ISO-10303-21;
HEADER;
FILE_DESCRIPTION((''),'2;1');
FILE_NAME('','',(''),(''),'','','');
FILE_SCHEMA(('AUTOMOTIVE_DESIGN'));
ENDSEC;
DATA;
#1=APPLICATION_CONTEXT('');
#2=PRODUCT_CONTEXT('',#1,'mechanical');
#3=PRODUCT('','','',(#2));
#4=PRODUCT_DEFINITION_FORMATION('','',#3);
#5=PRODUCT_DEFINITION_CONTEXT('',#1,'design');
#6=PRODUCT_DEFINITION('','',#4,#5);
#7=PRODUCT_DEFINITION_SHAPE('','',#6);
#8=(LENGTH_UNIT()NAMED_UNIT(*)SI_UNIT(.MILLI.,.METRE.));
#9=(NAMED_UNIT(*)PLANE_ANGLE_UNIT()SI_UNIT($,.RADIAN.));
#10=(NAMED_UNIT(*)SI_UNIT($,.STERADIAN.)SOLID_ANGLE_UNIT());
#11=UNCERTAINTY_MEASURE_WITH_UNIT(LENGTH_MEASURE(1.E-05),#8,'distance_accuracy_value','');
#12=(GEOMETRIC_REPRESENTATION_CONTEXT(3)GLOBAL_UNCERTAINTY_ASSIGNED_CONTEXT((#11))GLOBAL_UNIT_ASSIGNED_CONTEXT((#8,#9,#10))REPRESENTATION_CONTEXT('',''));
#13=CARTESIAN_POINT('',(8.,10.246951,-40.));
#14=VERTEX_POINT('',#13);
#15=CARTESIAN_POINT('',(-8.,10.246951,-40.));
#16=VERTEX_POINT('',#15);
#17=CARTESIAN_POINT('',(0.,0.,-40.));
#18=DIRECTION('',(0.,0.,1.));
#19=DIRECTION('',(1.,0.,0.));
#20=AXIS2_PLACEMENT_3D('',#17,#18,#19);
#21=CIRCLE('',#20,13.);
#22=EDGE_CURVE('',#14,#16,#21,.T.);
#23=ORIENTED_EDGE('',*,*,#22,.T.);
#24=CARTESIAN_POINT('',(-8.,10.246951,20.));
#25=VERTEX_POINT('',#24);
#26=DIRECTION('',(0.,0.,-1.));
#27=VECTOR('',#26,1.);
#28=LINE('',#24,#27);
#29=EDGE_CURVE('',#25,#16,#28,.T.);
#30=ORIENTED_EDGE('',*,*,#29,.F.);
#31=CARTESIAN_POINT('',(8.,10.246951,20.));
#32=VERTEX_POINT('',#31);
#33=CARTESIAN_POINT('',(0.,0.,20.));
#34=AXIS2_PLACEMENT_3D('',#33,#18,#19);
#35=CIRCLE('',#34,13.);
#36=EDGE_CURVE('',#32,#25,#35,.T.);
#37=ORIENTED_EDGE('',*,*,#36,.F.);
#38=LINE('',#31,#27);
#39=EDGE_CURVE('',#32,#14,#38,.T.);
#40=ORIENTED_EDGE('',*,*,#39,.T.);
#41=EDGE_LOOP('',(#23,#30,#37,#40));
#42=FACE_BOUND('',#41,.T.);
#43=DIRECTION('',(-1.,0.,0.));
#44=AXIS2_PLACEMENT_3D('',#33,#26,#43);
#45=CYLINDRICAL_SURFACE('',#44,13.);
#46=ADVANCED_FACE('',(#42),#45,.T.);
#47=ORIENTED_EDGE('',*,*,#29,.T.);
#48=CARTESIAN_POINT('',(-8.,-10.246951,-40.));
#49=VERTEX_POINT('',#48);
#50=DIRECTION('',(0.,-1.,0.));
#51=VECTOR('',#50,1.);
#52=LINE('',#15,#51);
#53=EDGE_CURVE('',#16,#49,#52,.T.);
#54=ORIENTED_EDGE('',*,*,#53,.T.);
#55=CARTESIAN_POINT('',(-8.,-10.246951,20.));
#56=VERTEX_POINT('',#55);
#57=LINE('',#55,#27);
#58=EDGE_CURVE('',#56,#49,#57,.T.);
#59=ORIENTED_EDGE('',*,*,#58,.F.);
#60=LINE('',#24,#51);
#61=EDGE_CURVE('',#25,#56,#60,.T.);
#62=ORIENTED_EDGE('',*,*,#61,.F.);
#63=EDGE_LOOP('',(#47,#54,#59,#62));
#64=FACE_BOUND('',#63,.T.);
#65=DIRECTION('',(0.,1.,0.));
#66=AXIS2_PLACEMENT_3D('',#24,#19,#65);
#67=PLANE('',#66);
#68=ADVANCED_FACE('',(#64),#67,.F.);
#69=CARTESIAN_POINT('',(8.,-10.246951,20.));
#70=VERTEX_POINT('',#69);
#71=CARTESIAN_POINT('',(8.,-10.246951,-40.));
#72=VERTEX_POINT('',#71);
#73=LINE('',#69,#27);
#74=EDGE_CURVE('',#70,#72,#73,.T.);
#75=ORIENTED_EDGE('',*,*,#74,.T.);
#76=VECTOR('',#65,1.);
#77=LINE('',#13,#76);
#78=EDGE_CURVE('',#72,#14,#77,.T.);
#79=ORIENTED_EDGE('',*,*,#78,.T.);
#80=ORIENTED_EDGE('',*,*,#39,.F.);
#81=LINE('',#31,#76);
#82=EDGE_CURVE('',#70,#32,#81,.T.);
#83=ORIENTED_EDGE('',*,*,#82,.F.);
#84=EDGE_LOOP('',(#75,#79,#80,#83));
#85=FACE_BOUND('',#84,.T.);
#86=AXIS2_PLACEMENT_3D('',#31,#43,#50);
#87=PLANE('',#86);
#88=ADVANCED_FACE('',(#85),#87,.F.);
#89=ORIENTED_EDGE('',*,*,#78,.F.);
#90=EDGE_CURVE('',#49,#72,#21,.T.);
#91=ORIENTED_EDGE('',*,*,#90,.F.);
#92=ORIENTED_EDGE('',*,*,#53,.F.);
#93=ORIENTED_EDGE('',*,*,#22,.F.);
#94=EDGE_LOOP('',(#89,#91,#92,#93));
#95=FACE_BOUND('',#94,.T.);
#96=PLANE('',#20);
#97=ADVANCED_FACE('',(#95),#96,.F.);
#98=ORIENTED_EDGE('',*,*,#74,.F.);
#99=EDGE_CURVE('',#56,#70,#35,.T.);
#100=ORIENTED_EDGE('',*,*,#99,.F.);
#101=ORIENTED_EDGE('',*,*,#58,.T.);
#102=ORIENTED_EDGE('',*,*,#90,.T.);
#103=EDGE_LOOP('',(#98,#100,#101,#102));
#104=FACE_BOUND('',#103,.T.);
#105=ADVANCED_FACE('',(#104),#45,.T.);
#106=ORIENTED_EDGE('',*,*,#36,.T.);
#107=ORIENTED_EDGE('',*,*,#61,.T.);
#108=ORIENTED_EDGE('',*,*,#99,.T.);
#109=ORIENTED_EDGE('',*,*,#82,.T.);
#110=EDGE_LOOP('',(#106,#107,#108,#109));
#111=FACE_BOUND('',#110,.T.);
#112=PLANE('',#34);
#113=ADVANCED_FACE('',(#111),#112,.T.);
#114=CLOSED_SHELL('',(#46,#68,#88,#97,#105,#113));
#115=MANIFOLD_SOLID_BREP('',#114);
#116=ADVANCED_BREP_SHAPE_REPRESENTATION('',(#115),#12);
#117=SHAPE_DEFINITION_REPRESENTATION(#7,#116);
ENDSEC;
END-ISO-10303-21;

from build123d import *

# Parameters (mm, degrees)
BOSS_EXTRUDE1_DEPTH      = 20
BOSS_EXTRUDE1_DEPTH_BACK = 40


with BuildPart() as part:
    # Sketch1 → Boss-Extrude1 (new, two sides: drawn at the far end of the back side and taken through both)
    with BuildSketch(Plane.XY.offset(-BOSS_EXTRUDE1_DEPTH_BACK)):
        with BuildLine():
            Line((8, 10.246950766), (8, -10.246950766))
            ThreePointArc((8, -10.246950766), (0, -13), (-8, -10.246950766))
            Line((-8, -10.246950766), (-8, 10.246950766))
            ThreePointArc((-8, 10.246950766), (0, 13), (8, 10.246950766))
        make_face()
    extrude(amount=BOSS_EXTRUDE1_DEPTH + BOSS_EXTRUDE1_DEPTH_BACK)


solid = part.part
